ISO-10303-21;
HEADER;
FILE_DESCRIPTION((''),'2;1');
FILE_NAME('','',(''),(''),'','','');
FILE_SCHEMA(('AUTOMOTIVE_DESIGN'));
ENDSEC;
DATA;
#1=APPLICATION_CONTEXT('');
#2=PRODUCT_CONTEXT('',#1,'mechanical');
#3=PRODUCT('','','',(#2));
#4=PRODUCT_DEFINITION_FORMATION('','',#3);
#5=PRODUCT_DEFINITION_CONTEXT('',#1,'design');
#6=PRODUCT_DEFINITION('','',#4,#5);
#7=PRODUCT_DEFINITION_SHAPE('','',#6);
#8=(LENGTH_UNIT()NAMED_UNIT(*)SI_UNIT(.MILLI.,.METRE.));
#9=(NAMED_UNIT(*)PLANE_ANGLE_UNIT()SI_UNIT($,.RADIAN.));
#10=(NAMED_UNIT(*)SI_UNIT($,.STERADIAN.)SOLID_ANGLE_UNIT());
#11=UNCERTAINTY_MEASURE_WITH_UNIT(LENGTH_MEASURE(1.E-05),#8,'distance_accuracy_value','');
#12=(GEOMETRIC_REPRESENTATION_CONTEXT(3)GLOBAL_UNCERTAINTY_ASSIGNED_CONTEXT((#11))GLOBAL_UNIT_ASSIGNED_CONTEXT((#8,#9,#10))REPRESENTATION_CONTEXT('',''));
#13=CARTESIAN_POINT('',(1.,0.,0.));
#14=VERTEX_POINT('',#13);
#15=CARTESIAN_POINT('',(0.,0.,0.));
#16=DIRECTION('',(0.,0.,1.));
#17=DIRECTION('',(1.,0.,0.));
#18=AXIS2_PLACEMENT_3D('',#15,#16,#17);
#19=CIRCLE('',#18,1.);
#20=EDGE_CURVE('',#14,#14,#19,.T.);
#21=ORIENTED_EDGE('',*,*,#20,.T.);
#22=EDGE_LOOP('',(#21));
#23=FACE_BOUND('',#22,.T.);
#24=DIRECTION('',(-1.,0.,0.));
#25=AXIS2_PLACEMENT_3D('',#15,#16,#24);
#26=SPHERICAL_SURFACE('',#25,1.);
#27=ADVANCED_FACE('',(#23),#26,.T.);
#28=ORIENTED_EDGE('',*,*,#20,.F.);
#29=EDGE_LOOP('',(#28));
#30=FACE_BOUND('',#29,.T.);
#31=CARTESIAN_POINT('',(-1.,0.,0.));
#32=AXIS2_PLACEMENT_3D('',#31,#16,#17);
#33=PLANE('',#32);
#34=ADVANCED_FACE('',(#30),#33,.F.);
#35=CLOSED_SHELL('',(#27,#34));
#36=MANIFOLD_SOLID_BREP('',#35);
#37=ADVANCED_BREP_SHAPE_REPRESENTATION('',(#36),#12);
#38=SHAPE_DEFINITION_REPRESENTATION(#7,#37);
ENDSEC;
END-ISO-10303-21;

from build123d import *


with BuildPart() as part:
    # Sketch1 → Revolve1 (revolve)
    with BuildSketch(Plane(origin=(0, 0, 0), x_dir=(1, 0, 0), z_dir=(0, 1, 0))):
        with BuildLine():
            Line((-1, 0), (0, 0))
            Line((0, 0), (0, -1))
            ThreePointArc((0, -1), (-0.707106781, -0.707106781), (-1, 0))
        make_face()
    revolve(axis=Axis((0, 0, 1), (0, 0, -1)))


solid = part.part
